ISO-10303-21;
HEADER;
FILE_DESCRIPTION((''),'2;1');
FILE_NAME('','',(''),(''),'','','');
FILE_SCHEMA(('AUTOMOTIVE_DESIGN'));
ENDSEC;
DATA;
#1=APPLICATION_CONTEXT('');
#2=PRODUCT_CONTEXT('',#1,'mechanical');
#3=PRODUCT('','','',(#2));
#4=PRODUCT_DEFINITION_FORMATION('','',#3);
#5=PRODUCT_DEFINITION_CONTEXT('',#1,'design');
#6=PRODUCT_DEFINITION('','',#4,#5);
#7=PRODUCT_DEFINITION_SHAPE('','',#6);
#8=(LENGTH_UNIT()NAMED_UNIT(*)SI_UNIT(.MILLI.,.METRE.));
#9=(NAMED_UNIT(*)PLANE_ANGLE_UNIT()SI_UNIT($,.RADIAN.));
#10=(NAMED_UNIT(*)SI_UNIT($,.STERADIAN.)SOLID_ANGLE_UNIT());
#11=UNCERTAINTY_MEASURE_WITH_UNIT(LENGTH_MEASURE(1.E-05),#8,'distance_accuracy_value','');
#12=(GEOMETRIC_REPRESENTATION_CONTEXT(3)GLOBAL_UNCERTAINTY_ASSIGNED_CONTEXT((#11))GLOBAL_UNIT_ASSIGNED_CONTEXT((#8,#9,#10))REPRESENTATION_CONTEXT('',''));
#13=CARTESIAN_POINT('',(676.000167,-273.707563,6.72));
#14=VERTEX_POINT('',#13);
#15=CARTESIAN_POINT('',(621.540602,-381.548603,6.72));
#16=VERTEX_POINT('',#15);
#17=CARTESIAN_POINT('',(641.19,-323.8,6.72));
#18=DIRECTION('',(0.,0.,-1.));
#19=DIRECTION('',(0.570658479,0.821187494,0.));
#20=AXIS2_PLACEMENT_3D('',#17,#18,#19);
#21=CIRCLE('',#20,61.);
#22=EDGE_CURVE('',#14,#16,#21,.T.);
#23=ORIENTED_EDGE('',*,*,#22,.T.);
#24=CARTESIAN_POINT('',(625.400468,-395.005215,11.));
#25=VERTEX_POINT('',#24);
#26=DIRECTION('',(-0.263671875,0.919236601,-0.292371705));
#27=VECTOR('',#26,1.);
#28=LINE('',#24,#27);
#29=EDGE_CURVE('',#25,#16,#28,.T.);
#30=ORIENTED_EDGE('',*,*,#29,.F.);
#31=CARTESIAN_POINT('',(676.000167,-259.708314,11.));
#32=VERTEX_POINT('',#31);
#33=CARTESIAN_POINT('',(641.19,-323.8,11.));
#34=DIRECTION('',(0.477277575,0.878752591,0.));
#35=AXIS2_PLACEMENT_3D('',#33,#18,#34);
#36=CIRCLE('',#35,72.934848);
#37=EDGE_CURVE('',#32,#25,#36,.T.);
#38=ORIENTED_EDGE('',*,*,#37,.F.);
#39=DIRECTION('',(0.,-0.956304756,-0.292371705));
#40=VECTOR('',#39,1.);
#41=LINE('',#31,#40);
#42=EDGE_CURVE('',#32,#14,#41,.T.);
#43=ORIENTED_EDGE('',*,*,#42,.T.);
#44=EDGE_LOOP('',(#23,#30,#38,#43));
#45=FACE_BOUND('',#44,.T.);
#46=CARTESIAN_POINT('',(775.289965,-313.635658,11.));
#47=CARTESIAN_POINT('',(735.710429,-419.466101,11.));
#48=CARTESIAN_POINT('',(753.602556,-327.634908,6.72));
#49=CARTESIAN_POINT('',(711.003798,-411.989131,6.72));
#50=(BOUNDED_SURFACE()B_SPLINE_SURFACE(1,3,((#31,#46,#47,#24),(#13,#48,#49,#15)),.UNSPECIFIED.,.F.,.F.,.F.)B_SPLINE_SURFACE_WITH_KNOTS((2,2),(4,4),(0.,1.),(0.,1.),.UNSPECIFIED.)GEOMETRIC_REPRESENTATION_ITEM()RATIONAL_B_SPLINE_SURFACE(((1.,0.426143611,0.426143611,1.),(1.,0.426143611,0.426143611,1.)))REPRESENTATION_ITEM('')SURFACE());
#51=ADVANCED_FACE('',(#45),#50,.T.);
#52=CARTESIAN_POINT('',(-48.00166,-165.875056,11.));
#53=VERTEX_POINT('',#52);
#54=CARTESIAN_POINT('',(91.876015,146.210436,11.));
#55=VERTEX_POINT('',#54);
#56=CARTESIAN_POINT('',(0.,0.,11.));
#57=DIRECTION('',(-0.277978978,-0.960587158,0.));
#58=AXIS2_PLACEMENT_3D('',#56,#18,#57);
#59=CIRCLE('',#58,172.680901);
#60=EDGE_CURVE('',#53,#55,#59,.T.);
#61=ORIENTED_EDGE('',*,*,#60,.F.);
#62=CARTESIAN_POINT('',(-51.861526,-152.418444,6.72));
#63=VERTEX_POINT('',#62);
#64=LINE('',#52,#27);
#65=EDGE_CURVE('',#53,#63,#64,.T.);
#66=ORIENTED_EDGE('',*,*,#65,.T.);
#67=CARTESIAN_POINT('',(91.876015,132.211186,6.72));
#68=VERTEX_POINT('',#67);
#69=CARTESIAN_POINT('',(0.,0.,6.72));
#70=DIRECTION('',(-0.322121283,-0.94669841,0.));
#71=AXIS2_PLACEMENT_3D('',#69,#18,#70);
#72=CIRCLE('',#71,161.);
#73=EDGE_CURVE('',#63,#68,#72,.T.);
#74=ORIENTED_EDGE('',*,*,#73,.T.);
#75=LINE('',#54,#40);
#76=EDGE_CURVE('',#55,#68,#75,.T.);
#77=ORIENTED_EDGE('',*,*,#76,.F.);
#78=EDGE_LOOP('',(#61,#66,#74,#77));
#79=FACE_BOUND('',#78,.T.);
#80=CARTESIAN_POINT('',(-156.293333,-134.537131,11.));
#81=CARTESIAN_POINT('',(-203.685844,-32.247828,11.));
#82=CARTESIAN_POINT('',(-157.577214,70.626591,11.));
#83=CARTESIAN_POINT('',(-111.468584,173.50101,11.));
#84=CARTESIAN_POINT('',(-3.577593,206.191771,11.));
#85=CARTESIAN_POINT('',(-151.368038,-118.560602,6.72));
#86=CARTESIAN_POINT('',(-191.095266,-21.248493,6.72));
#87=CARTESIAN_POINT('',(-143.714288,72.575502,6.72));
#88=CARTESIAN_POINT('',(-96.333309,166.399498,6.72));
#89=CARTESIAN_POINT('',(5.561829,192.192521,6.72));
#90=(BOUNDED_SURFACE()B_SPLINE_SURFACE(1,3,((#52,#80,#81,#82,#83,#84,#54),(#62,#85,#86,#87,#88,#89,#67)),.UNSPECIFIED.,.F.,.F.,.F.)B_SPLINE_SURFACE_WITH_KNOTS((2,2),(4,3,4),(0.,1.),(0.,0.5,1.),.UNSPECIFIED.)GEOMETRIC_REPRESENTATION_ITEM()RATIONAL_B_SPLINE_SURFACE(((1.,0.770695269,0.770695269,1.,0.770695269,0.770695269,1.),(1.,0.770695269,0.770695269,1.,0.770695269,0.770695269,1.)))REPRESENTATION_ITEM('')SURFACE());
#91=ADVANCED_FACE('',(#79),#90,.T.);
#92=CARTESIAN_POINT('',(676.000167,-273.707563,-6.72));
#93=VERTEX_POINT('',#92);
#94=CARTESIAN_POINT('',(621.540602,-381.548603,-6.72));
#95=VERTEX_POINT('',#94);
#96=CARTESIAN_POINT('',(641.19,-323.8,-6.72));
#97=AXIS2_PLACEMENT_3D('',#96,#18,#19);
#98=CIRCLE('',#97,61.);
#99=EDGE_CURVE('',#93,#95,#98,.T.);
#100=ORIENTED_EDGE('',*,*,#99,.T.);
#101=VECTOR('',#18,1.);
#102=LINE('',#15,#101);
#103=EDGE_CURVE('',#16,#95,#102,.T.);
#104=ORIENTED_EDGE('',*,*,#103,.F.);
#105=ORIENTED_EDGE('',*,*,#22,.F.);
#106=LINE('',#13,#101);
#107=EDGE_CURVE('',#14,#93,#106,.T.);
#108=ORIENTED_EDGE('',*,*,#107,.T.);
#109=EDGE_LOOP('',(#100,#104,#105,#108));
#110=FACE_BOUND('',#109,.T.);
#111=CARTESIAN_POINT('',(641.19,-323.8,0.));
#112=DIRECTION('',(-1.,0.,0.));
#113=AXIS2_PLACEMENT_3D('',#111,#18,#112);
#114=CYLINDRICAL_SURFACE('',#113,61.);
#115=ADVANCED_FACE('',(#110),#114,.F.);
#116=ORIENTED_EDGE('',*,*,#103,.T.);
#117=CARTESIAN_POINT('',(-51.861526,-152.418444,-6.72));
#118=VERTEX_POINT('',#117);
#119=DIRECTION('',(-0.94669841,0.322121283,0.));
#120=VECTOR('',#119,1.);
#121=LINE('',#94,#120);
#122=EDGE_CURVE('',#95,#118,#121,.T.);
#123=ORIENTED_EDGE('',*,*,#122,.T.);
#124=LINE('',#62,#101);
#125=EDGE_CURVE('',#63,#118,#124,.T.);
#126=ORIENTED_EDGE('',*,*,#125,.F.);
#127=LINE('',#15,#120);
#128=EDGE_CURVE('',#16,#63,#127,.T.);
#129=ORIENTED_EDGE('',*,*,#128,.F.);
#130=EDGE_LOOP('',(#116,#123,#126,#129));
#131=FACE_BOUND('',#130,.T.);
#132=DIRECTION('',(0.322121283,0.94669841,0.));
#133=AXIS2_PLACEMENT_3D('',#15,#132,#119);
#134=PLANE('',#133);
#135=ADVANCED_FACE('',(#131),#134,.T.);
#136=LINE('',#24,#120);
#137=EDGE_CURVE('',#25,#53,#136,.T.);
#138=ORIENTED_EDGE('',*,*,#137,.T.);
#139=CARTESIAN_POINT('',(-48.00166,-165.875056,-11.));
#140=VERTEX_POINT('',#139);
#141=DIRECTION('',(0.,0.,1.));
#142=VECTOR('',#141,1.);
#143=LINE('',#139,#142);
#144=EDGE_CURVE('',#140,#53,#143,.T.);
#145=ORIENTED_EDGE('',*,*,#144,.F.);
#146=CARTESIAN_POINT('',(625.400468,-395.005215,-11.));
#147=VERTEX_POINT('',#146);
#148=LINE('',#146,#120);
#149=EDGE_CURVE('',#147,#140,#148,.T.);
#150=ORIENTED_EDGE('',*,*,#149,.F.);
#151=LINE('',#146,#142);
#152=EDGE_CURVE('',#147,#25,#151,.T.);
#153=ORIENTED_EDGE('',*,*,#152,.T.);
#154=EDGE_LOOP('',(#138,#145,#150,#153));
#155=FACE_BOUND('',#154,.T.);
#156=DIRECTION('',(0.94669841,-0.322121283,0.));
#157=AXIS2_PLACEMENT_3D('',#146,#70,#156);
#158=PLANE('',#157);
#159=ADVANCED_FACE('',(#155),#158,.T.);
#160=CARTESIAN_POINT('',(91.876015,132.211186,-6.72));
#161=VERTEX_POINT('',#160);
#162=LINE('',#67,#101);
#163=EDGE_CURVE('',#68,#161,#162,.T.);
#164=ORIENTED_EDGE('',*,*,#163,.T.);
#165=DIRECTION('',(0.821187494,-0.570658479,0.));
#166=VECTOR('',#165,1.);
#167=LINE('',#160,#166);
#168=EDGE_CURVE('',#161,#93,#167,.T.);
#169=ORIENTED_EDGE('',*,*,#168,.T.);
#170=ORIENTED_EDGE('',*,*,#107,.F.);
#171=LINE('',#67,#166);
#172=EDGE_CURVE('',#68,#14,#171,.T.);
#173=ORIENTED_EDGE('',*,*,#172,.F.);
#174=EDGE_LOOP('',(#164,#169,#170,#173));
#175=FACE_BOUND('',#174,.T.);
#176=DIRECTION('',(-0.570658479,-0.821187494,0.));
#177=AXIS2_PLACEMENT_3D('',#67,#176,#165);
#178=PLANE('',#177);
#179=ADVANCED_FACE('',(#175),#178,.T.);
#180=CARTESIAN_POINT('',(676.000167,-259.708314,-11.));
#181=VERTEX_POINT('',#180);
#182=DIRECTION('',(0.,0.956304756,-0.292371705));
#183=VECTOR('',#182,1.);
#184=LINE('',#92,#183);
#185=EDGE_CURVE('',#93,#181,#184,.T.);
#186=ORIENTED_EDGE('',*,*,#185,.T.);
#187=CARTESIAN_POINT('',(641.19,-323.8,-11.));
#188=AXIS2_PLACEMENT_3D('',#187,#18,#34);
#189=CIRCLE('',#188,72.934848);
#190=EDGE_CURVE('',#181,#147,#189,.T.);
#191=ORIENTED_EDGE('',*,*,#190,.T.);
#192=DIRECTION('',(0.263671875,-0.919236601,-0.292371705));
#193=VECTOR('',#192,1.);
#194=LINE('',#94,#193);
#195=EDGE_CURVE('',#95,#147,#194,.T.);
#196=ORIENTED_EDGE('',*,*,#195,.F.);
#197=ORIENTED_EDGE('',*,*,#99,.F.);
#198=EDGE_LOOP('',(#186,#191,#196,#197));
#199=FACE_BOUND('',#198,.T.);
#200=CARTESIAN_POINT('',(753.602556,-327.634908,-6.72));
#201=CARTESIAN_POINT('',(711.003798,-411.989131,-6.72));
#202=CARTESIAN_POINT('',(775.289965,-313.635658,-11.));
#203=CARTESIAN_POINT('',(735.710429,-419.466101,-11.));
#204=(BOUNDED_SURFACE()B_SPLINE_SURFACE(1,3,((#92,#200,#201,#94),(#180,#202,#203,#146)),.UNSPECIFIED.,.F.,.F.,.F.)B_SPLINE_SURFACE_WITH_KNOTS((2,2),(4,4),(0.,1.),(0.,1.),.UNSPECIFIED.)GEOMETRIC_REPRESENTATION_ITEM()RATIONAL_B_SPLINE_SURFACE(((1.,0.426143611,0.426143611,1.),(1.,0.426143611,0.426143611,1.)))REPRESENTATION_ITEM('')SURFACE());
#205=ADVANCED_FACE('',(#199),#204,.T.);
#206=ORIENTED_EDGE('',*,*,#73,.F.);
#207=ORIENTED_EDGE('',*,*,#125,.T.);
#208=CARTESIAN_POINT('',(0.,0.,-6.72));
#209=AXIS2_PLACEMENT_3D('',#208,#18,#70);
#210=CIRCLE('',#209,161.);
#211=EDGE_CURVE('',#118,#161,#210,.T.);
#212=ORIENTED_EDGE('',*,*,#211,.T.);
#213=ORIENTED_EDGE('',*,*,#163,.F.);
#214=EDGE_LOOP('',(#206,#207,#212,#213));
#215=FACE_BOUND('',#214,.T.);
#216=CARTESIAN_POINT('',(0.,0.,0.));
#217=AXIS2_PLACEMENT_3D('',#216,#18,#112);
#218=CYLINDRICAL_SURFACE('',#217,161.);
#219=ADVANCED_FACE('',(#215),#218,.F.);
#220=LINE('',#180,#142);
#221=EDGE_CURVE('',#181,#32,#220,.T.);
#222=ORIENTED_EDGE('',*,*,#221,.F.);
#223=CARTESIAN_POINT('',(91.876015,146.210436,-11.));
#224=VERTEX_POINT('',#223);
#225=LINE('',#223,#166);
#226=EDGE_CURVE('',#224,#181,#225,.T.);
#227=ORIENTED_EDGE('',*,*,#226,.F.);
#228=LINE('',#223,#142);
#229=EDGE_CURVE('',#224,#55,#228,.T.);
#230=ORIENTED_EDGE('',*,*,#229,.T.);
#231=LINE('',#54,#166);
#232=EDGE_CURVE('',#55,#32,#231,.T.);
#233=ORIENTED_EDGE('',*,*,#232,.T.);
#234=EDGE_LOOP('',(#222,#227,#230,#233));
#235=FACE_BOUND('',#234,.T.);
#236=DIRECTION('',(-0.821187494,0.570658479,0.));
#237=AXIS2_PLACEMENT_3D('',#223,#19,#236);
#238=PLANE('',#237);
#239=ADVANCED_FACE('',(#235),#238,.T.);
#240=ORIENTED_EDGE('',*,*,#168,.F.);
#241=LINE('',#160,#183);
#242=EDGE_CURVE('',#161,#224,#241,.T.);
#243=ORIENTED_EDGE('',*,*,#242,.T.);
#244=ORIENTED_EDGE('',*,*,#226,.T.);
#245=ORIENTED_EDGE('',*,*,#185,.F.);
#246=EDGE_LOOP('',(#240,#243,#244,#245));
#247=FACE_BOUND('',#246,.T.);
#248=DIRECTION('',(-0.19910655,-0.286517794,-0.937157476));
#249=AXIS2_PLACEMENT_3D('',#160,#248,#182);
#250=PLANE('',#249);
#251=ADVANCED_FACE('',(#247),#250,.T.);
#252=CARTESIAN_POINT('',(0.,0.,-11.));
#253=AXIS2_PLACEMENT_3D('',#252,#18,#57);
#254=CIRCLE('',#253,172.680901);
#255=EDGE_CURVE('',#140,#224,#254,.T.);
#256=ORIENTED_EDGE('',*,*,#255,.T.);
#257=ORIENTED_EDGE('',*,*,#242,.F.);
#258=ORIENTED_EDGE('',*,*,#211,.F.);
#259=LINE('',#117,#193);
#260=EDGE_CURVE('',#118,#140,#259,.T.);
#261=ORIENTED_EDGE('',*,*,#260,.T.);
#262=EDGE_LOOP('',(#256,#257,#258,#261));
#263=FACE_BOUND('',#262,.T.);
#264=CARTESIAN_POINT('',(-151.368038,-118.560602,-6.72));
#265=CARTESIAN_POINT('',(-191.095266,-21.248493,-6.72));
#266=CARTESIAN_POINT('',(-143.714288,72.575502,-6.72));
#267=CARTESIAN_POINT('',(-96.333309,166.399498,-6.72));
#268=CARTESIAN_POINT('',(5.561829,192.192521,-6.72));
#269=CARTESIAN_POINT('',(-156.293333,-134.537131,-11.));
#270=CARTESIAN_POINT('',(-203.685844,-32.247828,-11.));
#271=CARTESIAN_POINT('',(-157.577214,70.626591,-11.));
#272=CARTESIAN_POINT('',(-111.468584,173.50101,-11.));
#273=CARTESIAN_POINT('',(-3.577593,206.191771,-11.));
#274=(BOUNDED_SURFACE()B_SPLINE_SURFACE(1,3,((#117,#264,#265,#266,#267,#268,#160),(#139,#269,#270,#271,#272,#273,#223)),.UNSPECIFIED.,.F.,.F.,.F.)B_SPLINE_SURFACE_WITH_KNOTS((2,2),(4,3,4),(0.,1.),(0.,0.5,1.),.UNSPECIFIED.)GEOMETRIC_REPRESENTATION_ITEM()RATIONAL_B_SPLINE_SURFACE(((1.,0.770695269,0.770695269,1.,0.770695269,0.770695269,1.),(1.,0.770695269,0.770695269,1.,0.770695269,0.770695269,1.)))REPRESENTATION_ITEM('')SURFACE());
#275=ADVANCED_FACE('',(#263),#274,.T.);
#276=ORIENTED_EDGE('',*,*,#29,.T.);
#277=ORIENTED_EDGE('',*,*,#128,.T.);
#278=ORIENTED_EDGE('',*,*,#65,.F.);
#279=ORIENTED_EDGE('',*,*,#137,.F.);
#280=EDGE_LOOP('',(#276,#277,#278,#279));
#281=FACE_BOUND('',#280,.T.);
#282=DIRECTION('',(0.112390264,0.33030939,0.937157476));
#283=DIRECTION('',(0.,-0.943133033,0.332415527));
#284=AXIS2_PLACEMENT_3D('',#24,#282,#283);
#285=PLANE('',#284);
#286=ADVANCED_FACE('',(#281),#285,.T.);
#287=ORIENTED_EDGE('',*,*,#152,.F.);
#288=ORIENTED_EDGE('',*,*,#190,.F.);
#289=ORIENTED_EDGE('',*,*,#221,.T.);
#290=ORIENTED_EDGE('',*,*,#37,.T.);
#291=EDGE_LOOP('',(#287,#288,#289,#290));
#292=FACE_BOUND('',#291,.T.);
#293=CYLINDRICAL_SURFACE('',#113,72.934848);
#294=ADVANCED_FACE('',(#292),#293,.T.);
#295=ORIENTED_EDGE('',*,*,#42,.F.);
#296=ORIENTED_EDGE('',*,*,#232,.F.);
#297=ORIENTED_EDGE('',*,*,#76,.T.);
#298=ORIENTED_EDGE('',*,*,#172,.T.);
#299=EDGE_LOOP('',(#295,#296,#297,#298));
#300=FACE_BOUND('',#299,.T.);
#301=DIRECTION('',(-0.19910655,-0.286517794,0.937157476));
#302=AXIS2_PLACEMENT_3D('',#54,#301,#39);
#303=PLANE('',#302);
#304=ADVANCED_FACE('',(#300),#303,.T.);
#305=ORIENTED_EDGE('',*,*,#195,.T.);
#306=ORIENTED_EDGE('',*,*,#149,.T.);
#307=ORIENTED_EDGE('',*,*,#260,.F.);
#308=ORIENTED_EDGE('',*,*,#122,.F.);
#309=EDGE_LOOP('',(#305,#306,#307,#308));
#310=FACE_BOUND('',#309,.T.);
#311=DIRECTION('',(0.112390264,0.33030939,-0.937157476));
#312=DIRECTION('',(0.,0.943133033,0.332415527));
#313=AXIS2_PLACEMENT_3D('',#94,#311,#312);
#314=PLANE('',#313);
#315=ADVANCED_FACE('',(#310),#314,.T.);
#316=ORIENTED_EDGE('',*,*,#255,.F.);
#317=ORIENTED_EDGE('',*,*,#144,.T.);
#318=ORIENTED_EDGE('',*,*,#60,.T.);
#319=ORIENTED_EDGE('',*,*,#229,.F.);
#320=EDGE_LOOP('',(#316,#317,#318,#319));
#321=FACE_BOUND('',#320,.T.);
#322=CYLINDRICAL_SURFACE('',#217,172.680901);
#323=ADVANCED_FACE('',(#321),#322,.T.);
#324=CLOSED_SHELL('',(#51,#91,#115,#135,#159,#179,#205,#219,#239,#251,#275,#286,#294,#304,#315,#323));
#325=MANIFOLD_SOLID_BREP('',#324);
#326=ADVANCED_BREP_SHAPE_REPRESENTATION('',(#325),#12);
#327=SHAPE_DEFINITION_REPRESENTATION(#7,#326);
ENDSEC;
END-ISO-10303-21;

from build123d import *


with BuildPart() as part:
    # Sweep1: sweep along a path in Sketch2
    with BuildLine(Plane.XY) as sweep1_path:
        Line((91.876015198, 132.211186484), (676.000167258, -273.707562894))
        ThreePointArc((676.000167258, -273.707562894), (695.640754943, -351.297550576), (621.540601776, -381.548603015))
        Line((621.540601776, -381.548603015), (-51.861526484, -152.418443998))
        ThreePointArc((-51.861526484, -152.418443998), (-143.71428761, 72.575502314), (91.876015198, 132.211186484))
    # Sketch3 → Sweep1 (sweep)
    with BuildSketch(Plane(origin=(91.876015198, 0, 0), x_dir=(0, 0, -1), z_dir=(1, 0, 0))):
        Polygon((-6.72, 132.211186484), (6.72, 132.211186484), (11, 146.210435691), (-11, 146.210435691), align=None)
    sweep(path=sweep1_path.line)


solid = part.part
